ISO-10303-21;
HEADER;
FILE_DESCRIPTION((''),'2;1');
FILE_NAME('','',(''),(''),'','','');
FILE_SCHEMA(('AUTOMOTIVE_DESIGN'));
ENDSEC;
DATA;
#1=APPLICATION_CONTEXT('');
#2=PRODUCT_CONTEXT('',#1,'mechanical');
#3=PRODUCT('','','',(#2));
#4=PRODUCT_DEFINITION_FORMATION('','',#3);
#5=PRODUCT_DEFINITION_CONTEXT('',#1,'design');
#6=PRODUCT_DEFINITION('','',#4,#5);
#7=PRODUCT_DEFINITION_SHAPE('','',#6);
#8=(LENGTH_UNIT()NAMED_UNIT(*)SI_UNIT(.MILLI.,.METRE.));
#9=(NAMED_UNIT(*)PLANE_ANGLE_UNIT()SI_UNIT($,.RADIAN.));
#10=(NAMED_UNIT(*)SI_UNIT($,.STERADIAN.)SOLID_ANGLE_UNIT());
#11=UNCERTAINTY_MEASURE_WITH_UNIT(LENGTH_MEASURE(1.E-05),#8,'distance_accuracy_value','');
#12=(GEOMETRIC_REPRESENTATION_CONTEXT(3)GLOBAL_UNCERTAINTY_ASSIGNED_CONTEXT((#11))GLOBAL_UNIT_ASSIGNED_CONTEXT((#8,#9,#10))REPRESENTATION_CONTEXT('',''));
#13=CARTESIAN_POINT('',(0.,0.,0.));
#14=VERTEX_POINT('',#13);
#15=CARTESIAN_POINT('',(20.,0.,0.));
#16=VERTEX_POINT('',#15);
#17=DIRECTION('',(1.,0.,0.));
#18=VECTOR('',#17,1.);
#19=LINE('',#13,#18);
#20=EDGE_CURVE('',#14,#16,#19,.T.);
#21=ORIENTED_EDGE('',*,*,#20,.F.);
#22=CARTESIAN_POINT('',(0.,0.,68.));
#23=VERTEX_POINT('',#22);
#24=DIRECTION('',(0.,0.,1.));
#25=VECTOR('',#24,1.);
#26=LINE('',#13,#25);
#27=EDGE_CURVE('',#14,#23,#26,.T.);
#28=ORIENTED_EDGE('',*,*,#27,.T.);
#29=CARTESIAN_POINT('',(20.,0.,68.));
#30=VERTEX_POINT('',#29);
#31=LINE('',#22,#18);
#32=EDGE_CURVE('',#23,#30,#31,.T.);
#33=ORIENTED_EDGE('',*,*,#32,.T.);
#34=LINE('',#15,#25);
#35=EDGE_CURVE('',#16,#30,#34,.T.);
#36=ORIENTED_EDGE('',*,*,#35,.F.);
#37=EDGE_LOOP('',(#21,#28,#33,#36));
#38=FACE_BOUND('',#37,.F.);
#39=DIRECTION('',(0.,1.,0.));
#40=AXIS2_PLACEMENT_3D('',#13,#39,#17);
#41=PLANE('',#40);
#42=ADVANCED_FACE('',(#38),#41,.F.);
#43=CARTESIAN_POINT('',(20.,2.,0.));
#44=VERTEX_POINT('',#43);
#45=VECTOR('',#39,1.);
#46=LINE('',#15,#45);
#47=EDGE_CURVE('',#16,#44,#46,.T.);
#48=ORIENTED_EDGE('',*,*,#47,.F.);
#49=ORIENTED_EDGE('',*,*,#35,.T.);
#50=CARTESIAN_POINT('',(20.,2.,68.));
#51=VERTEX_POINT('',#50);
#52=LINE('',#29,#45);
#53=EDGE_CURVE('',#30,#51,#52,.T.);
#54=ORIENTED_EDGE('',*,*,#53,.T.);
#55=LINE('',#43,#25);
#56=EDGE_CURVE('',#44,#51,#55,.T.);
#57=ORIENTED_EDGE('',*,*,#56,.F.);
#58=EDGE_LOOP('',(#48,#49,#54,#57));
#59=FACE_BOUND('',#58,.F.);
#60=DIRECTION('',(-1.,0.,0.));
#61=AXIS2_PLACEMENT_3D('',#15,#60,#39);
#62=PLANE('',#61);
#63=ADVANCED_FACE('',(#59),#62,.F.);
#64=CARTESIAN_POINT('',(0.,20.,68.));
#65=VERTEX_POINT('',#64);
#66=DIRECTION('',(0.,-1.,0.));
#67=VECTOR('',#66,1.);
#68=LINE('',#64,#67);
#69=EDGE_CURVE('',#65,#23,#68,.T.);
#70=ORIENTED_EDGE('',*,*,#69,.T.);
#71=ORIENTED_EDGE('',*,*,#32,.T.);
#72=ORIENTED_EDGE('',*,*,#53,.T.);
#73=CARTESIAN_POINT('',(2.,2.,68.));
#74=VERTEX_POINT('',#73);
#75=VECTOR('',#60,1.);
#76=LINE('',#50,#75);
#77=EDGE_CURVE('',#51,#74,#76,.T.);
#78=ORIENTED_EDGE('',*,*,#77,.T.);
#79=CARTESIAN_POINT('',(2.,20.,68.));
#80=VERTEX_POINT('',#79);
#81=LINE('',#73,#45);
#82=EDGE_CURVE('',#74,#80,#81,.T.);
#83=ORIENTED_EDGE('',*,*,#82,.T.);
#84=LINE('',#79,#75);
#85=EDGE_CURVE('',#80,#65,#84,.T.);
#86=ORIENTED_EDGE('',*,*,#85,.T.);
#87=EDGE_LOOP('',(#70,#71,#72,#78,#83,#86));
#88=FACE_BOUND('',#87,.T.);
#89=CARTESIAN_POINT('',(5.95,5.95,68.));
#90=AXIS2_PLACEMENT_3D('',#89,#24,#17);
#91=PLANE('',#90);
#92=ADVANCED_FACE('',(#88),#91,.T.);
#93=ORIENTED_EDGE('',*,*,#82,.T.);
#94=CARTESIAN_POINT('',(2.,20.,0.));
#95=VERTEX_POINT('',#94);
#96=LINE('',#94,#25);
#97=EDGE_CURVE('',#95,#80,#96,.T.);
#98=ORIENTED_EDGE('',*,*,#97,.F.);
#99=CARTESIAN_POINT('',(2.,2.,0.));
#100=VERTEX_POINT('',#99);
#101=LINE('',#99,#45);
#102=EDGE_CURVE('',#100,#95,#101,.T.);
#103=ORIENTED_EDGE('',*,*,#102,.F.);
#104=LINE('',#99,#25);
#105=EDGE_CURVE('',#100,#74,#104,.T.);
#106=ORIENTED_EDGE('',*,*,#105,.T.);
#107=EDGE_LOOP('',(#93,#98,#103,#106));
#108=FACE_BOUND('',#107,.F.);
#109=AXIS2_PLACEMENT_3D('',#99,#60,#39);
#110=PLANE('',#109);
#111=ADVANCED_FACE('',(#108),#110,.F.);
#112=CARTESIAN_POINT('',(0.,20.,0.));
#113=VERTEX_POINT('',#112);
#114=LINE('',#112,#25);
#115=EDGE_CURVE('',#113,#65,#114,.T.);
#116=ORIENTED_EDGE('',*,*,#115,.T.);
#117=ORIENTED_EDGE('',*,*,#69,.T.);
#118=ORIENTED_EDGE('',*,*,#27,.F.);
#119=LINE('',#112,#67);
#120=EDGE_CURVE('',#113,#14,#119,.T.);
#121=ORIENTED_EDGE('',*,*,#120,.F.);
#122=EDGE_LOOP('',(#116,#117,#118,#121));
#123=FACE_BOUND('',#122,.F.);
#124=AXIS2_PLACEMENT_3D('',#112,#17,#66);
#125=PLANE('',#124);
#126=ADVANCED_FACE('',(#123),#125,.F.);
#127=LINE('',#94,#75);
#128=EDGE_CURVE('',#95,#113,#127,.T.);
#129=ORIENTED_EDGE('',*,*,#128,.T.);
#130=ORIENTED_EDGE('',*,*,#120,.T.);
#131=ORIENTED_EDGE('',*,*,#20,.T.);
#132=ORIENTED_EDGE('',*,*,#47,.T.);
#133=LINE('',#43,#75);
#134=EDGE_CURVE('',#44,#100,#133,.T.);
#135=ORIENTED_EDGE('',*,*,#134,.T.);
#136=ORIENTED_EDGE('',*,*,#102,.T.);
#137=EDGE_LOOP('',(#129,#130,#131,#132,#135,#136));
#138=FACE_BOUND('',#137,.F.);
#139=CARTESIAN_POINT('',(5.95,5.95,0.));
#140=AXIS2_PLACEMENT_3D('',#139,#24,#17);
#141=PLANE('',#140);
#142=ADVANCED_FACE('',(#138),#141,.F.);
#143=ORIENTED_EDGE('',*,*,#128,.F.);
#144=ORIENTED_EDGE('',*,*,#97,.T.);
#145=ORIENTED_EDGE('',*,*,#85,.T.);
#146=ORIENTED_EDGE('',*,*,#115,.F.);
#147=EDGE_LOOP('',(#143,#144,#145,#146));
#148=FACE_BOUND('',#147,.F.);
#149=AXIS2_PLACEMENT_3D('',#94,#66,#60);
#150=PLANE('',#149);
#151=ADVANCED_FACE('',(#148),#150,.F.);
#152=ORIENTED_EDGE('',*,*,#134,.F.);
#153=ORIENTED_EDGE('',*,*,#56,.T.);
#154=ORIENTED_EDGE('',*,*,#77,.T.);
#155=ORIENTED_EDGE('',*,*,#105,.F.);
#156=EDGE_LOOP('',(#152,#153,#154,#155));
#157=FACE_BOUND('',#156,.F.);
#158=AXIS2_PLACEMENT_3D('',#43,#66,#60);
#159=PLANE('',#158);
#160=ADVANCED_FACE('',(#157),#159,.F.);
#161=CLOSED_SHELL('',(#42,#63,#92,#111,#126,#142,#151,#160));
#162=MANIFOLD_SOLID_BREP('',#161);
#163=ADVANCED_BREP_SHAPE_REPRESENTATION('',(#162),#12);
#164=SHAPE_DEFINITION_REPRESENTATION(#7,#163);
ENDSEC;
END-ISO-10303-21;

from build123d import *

# Parameters (mm, degrees)
BOSS_EXTRUDE1_DEPTH = 68


with BuildPart() as part:
    # Sketch1 → Boss-Extrude1 (new body)
    with BuildSketch(Plane.XY):
        Polygon((0, 0), (20, 0), (20, 2), (2, 2), (2, 20), (0, 20), align=None)
    extrude(amount=BOSS_EXTRUDE1_DEPTH)


solid = part.part
